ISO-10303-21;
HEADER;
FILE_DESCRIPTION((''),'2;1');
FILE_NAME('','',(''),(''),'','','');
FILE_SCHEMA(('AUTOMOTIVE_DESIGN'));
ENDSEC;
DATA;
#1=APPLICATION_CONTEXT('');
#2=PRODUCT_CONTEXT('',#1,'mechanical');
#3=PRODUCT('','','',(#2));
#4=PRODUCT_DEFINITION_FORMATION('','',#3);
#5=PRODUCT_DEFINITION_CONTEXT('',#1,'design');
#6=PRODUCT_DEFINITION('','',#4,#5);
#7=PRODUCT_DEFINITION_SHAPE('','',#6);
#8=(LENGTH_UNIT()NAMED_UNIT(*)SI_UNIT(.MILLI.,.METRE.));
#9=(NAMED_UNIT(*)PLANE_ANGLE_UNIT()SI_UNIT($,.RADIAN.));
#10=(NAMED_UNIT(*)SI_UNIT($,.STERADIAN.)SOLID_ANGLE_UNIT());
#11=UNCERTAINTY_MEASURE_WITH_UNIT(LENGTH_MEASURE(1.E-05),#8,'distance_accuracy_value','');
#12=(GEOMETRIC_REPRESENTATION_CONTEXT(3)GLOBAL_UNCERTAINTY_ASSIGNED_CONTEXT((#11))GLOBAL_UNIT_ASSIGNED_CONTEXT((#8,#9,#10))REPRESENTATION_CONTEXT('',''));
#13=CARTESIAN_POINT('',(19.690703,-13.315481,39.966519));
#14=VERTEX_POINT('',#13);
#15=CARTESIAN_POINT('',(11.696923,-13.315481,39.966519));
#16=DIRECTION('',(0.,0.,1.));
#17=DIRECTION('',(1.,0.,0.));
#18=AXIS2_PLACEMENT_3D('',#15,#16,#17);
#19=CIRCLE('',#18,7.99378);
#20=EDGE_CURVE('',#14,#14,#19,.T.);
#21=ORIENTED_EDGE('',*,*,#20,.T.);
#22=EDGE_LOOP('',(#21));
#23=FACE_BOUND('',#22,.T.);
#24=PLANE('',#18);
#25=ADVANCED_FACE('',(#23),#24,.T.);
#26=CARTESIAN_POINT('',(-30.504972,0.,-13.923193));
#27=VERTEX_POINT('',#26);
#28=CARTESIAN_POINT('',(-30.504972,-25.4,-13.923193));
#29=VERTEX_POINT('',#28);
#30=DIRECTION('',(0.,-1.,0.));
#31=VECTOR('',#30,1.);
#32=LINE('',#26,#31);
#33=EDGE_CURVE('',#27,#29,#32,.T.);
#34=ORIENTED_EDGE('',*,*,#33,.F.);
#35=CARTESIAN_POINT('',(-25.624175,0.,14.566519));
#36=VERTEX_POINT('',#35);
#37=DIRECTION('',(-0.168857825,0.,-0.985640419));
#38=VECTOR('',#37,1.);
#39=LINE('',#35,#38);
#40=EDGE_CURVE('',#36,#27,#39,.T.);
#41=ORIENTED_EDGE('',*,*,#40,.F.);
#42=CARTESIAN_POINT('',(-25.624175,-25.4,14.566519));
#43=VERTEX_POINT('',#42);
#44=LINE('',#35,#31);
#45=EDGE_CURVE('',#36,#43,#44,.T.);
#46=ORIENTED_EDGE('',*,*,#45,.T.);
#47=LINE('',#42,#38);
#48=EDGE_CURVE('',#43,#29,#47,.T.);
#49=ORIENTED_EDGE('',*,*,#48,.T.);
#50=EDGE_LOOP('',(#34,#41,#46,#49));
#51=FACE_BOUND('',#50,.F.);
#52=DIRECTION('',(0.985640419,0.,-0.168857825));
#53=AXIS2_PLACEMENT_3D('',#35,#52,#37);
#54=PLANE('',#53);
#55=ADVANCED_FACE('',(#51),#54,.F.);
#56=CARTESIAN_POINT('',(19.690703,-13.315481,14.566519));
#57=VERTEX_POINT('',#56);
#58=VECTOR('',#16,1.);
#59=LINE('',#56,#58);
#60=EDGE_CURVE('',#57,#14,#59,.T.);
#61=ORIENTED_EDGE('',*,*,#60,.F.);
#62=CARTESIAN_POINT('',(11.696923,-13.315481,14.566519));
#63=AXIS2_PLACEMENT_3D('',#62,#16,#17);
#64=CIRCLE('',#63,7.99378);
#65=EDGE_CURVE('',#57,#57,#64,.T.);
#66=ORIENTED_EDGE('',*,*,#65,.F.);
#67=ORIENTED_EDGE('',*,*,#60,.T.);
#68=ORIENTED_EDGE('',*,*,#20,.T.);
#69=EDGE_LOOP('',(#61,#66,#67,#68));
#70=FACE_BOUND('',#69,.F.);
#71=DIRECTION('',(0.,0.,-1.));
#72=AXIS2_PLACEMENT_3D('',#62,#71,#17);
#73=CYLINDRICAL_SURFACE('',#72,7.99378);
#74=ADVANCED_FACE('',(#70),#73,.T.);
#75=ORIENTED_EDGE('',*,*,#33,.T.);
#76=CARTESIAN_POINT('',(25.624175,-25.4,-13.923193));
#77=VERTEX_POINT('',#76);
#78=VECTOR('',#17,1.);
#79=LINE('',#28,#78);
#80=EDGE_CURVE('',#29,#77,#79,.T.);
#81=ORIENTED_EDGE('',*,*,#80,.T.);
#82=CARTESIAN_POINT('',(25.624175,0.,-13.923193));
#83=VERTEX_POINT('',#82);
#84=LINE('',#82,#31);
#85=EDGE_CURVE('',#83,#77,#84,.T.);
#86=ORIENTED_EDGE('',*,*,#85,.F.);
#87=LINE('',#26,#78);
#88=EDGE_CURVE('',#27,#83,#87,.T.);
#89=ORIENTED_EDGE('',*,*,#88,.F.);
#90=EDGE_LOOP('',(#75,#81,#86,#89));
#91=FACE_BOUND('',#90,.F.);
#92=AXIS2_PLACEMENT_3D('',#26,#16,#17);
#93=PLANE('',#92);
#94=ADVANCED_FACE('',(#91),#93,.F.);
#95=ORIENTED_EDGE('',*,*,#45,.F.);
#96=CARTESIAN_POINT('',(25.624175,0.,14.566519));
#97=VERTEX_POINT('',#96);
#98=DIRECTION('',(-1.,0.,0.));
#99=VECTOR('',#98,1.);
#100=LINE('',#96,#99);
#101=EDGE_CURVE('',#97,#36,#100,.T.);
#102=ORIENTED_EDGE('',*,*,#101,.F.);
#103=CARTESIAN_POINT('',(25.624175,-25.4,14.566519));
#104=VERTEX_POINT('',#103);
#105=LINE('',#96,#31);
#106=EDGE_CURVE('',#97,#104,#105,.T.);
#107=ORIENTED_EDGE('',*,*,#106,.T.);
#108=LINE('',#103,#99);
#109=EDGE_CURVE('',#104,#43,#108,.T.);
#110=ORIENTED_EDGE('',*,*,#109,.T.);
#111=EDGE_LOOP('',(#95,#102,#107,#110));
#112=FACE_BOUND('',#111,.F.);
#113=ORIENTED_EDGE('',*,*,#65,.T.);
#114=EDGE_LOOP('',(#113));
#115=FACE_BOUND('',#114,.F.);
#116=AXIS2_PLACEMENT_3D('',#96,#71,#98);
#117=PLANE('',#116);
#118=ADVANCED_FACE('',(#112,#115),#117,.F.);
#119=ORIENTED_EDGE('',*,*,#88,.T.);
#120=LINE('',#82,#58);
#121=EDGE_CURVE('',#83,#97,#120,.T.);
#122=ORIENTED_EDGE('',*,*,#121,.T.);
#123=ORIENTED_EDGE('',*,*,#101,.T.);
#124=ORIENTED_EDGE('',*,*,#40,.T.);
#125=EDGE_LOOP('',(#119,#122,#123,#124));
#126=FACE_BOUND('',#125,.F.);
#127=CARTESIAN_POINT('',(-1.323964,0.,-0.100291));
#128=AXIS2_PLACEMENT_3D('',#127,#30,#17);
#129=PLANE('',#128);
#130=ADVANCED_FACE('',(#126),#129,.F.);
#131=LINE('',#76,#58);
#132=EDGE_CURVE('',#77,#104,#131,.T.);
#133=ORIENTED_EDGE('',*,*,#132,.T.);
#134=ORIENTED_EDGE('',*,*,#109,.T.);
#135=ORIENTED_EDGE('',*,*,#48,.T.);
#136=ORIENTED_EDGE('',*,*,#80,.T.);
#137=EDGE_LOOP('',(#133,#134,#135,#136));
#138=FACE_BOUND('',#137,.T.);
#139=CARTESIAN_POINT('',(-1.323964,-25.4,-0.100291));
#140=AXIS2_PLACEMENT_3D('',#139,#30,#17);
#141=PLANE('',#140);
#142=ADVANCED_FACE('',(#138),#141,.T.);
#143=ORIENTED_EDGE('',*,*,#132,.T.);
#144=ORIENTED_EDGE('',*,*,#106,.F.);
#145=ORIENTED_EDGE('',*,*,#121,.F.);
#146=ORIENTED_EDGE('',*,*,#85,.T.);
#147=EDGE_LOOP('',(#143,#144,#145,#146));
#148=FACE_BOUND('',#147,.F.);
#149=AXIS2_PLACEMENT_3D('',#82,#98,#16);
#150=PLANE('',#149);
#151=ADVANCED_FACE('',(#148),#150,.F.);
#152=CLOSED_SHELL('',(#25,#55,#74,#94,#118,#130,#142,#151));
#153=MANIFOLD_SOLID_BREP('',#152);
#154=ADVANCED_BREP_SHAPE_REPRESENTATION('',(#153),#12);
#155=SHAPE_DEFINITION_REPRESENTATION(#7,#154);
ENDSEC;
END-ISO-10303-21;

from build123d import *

# Parameters (mm, degrees)
F1_DEPTH = 25.4
F2_R     = 7.99378
F3_DEPTH = 25.4


with BuildPart() as f1:
    # F0 (on Front) → F1 (new body)
    with BuildSketch(Plane.XZ):
        Polygon((25.624175, 14.566519), (-25.624175, 14.566519), (-30.504972, -13.923193), (-25.624175, -13.923193), (25.624175, -13.923193), align=None)
    extrude(amount=F1_DEPTH)

    # F2 (on face) → F3 (join)
    with BuildSketch(Plane.XY.offset(14.566519)):
        with Locations((11.696923, -13.315481)):
            Circle(F2_R)
    extrude(amount=F3_DEPTH)


solid = f1.part
